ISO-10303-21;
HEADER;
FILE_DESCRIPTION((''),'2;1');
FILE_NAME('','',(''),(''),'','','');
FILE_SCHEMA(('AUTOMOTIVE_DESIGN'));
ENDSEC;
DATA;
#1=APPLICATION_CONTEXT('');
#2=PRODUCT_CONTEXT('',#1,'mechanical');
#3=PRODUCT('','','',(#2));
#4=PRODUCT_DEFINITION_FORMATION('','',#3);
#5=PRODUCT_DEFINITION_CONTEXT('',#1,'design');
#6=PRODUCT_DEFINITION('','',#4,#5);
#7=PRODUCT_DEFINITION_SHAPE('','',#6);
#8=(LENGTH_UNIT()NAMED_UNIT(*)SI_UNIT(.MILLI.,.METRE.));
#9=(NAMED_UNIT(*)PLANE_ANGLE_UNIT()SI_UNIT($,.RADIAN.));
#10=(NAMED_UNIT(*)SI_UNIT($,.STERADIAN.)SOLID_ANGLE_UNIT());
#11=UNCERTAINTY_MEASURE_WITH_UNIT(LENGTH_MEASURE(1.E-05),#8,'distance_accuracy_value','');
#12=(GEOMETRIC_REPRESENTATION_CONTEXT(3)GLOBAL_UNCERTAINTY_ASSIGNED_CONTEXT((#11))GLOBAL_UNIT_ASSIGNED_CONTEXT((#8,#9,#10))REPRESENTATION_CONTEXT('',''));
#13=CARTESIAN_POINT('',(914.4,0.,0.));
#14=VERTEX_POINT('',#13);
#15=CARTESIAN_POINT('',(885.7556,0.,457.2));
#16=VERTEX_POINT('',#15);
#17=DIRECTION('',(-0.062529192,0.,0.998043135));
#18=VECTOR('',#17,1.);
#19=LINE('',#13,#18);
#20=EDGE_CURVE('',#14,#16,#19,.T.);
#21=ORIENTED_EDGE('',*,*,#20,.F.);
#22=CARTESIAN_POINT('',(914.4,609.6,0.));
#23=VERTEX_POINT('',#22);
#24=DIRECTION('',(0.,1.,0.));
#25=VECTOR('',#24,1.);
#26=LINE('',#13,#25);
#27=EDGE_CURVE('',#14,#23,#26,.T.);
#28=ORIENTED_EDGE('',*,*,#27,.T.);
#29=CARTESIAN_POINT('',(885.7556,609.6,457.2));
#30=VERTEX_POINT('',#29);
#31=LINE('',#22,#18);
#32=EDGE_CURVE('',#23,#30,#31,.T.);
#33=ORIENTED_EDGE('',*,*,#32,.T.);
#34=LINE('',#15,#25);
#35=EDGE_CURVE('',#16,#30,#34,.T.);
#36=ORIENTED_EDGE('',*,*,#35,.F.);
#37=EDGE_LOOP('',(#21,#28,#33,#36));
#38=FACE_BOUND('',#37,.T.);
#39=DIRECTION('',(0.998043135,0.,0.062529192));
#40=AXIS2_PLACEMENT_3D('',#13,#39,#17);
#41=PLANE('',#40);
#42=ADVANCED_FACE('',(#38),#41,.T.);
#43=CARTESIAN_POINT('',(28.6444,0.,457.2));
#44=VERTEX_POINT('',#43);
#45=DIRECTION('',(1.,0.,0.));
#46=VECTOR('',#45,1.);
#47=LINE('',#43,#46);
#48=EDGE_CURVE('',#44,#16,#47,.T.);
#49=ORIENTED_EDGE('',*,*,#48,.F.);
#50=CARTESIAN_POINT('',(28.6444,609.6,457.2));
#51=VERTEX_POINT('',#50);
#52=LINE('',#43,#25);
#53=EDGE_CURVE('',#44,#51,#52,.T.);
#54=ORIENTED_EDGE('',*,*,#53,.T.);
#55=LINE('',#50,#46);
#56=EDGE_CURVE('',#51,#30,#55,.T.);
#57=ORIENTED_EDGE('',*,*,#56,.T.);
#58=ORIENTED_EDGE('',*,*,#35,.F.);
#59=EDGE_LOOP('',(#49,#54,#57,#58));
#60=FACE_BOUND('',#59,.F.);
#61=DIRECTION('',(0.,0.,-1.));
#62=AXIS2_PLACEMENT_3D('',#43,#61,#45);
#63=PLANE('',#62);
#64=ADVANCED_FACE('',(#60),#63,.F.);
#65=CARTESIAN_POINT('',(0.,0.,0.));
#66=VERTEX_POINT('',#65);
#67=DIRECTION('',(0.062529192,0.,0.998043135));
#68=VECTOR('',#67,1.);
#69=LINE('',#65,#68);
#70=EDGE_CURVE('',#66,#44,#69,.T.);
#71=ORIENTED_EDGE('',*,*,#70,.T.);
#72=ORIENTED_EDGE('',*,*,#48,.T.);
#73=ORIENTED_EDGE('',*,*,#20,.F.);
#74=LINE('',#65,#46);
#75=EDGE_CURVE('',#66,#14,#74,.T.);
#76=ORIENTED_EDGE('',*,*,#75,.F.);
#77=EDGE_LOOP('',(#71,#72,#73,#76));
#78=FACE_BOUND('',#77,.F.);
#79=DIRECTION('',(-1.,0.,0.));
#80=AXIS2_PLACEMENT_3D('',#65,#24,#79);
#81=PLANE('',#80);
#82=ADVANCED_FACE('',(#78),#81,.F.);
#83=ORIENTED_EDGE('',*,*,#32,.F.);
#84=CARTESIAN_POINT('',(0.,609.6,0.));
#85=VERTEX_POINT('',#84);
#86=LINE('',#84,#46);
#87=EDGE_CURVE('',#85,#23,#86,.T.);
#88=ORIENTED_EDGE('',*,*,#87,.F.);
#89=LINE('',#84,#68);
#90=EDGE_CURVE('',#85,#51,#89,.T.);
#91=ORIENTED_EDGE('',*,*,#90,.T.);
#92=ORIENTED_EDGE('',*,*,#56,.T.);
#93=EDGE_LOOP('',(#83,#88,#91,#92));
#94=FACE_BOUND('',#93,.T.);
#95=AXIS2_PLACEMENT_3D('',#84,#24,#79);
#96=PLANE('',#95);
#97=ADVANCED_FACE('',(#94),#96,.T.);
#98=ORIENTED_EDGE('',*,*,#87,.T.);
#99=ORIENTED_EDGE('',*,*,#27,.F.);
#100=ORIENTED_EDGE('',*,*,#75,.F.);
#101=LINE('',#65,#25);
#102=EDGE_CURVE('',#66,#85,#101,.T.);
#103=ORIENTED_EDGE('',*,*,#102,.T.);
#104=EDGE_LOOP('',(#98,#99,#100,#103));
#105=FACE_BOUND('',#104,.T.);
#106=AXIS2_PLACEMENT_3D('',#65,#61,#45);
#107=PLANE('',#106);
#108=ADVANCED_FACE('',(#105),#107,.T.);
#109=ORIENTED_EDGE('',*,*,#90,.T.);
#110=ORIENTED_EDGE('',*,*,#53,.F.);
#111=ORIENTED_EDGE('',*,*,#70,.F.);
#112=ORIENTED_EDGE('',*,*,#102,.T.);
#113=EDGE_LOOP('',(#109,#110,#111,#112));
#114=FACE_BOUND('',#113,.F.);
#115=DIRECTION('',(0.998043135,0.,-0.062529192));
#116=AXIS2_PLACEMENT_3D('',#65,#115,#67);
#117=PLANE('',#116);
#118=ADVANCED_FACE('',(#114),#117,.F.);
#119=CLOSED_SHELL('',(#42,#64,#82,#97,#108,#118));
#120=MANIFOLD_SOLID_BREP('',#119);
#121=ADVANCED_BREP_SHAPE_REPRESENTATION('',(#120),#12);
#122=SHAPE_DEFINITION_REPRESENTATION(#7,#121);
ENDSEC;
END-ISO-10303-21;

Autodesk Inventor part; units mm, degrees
ref_plane "YZ Plane" through (0, 0, 0) normal (1, 0, 0) x (0, 1, 0)
ref_plane "XZ Plane" through (0, 0, 0) normal (0, 1, 0) x (-1, 0, 0)
ref_plane "XY Plane" through (0, 0, 0) normal (0, 0, 1) x (1, 0, 0)
sketch "Sketch1" plane through (0, 0, 0) normal (0, 1, 0) x (-1, 0, 0)
  line L0 (0, 0) -> (-914.4, 0)
  line L1 (-28.6444, 457.2) -> (-885.7556, 457.2)
  line L2 (0, 0) -> (-28.6444, 457.2)
  line L3 (-914.4, 0) -> (-885.7556, 457.2)
  line L4 (-457.2, 0) -> (-457.2, 457.2) construction
  dimension "d0" = 914.4
  dimension "d2" = 457.2
  dimension "d3" = 7.17
extrude "Extrusion1" add sketch "Sketch1" along normal blind 609.6
properties part number "F1" material "Granite, Cut, Polished"
